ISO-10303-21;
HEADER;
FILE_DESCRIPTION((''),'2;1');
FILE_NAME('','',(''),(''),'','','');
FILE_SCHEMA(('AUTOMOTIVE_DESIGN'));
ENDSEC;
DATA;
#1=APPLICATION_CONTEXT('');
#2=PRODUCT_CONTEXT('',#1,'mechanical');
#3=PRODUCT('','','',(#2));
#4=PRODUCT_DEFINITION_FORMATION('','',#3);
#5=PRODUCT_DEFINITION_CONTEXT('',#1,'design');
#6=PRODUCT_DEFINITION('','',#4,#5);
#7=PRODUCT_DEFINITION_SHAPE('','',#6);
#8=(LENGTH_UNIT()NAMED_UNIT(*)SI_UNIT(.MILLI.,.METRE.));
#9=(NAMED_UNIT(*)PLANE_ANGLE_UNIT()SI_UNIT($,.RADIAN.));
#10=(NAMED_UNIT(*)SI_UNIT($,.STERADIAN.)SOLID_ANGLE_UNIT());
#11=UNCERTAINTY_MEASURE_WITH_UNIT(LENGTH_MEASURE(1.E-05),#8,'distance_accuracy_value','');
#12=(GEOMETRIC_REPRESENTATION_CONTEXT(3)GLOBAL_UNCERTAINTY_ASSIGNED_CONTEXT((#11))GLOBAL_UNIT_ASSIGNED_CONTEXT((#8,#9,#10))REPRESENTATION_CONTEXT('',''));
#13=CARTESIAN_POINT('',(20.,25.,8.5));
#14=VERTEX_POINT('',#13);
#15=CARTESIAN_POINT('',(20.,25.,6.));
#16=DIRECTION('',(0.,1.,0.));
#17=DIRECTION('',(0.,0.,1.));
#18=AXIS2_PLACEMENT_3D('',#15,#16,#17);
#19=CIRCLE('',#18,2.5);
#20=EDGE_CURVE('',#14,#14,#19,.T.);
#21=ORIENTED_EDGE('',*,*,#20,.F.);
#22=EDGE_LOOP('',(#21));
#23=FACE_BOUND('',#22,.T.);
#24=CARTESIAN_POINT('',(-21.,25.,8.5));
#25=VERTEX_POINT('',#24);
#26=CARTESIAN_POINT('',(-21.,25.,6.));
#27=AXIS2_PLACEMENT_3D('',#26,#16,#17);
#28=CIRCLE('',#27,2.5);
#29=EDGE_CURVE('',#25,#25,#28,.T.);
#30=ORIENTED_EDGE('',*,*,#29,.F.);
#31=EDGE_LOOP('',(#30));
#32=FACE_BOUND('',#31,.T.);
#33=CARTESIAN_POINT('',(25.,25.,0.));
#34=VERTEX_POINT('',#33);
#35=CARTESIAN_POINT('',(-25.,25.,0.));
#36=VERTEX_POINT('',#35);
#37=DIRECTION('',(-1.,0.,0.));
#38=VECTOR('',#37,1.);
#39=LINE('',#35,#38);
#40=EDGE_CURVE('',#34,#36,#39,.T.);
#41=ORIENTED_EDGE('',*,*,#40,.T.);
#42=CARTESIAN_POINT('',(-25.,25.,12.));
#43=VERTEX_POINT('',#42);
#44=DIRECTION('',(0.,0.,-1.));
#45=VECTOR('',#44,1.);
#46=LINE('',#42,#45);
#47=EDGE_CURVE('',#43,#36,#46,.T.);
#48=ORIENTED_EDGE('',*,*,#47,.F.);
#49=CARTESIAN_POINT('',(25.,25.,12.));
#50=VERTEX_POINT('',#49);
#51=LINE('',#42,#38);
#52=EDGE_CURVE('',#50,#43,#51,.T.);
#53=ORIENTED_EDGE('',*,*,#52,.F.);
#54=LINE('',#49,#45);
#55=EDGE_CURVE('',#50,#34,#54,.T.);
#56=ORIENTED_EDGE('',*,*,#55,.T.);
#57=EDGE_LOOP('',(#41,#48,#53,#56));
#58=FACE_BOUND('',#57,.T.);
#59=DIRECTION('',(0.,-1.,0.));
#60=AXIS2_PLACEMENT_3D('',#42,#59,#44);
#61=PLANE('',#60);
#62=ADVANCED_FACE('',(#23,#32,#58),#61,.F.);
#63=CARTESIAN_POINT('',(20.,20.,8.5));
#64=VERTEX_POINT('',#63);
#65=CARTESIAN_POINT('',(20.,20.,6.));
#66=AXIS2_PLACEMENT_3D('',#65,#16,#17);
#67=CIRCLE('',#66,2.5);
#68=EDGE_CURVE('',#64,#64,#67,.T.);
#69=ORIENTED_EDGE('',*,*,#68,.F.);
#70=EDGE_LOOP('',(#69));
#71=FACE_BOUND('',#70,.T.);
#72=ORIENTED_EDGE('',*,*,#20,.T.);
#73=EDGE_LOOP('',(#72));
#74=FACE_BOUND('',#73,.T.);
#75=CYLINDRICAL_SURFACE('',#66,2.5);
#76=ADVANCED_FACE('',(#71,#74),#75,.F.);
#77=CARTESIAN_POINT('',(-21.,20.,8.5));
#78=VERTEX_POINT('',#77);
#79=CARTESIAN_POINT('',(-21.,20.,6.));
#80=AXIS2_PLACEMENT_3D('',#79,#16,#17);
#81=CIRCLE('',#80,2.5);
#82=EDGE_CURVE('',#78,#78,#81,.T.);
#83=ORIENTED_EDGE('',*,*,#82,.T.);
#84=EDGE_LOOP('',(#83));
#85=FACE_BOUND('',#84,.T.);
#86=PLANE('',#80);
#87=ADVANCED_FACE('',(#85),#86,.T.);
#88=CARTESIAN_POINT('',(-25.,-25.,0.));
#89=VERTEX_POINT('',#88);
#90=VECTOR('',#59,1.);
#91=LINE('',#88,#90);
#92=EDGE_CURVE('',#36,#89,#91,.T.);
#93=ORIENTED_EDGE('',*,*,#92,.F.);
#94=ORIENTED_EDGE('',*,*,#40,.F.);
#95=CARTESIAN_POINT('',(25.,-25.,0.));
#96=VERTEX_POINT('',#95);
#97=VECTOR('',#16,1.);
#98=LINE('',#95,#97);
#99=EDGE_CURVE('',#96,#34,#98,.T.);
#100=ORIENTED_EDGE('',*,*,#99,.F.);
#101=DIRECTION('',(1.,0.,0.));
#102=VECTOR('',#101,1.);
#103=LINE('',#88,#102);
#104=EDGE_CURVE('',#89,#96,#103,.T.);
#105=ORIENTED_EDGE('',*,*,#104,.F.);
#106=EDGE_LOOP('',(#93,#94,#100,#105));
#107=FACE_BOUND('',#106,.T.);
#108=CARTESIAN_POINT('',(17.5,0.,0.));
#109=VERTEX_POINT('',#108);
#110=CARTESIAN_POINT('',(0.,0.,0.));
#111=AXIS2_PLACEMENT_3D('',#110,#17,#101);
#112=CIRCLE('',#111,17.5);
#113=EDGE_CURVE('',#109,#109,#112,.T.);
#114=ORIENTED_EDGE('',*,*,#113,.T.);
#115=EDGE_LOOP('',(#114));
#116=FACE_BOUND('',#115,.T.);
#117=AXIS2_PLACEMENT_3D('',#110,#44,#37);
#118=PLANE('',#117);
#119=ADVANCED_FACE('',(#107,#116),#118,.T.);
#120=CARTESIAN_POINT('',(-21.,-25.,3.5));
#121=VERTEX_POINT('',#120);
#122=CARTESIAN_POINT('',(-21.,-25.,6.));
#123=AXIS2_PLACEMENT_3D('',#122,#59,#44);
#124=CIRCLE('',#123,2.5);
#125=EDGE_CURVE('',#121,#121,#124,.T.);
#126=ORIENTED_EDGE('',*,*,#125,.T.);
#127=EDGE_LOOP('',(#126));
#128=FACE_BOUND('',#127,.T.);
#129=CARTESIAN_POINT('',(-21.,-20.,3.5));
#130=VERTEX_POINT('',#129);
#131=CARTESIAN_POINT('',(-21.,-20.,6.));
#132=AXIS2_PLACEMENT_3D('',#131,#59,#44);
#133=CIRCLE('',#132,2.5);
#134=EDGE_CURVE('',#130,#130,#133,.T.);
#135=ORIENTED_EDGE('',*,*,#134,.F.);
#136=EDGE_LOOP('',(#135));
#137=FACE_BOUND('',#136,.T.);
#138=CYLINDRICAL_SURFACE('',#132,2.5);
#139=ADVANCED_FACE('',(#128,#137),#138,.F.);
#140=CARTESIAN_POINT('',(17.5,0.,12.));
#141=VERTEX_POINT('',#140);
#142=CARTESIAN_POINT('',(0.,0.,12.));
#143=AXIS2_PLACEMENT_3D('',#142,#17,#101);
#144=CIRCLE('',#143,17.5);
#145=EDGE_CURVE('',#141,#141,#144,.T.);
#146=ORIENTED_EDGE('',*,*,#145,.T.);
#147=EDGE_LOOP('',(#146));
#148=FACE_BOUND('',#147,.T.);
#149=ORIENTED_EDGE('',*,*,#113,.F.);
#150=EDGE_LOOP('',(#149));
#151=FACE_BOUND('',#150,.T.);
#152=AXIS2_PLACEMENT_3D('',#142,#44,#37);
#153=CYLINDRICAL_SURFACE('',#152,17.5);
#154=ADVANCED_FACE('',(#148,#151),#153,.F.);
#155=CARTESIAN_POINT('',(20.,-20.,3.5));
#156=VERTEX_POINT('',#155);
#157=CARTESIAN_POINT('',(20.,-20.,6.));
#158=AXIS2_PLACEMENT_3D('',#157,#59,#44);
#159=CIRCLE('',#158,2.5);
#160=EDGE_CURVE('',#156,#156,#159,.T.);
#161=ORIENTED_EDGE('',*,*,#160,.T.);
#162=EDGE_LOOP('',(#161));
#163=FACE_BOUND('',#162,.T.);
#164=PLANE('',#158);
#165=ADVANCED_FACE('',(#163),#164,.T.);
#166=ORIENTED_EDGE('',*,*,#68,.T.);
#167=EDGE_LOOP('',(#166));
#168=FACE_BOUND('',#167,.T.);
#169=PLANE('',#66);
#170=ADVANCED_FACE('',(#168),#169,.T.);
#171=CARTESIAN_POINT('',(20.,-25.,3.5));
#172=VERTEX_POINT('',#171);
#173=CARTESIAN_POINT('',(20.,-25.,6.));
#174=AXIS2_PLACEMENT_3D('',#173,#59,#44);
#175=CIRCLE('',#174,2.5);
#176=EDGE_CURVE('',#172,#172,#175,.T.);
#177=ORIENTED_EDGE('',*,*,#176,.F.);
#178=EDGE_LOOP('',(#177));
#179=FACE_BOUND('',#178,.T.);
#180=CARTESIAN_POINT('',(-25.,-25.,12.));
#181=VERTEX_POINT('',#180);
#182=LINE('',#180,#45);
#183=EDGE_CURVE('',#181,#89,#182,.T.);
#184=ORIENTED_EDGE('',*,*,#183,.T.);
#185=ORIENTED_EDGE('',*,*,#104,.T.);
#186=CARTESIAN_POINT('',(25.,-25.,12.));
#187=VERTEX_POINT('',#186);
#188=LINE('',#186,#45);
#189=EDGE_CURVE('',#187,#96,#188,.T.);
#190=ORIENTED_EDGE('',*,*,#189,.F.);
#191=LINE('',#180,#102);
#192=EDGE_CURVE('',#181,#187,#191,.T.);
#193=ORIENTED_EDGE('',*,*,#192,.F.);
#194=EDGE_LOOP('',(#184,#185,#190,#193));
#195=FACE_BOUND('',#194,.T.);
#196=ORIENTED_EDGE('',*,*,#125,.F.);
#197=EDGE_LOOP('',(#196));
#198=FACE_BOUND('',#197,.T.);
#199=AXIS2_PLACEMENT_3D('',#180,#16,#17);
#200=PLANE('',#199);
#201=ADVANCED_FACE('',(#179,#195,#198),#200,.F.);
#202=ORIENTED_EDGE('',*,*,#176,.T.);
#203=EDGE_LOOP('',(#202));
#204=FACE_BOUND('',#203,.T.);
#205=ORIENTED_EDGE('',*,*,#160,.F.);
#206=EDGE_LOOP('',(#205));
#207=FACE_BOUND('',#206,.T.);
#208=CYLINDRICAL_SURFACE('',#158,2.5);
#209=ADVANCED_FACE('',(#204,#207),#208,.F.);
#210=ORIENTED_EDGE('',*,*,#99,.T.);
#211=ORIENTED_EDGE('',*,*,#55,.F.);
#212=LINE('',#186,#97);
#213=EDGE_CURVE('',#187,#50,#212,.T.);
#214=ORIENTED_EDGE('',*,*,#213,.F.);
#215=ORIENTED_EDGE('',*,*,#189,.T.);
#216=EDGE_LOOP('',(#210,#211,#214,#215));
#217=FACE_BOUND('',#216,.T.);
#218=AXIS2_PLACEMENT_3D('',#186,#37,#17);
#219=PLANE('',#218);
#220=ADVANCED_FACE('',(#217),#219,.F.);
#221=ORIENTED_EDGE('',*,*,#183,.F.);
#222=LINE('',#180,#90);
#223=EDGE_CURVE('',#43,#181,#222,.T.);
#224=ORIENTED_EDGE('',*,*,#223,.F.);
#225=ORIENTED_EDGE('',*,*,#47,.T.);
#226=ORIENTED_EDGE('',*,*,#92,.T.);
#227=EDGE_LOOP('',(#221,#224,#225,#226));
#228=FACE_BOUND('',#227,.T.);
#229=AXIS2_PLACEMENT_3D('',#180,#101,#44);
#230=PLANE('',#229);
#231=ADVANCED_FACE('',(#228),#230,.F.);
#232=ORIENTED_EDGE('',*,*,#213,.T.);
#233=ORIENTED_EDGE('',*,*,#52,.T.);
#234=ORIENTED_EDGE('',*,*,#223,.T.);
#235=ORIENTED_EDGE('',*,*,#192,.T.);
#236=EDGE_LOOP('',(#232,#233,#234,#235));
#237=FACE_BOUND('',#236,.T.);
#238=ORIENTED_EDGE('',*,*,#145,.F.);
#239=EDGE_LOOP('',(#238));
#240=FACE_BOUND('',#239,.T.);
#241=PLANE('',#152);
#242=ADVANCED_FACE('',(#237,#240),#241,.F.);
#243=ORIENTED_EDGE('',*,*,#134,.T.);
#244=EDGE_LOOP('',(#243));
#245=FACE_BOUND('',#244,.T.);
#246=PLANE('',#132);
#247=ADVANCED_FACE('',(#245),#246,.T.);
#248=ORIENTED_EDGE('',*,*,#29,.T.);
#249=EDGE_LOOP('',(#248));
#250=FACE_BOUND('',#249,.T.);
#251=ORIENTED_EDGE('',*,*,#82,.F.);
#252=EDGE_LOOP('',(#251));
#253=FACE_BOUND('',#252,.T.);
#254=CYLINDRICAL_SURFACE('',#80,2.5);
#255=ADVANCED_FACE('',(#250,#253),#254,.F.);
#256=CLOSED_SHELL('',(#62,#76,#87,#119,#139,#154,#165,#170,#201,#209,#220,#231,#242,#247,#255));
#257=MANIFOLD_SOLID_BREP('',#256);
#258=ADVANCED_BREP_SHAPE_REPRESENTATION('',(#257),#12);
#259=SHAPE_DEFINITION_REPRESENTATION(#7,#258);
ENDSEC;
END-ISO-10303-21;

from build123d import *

# Parameters (mm, degrees)
SCHIZZO1_W                   = 50
SCHIZZO1_H                   = 50
SCHIZZO1_R                   = 17.5
ESTRUSIONE_ESTRUSIONE1_DEPTH = 12
SCHIZZO2_R                   = 2.5
TAGLIO_ESTRUSIONE1_DEPTH     = 5
SCHIZZO3_R                   = 2.5
TAGLIO_ESTRUSIONE2_DEPTH     = 5


with BuildPart() as part:
    # Schizzo1 → Estrusione-Estrusione1 (new body)
    with BuildSketch(Plane.XY):
        Rectangle(SCHIZZO1_W, SCHIZZO1_H)
        Circle(SCHIZZO1_R, mode=Mode.SUBTRACT)
    extrude(amount=ESTRUSIONE_ESTRUSIONE1_DEPTH)

    # Schizzo2 → Taglio-Estrusione1 (cut)
    with BuildSketch(Plane(origin=(0, -25, 0), x_dir=(-1, 0, 0), z_dir=(0, -1, 0))):
        with Locations((21, -6)):
            Circle(SCHIZZO2_R)
        with Locations((-20, -6)):
            Circle(SCHIZZO2_R)
    extrude(amount=-TAGLIO_ESTRUSIONE1_DEPTH, mode=Mode.SUBTRACT)

    # Schizzo3 → Taglio-Estrusione2 (cut)
    with BuildSketch(Plane(origin=(0, 25, 0), x_dir=(1, 0, 0), z_dir=(0, 1, 0))):
        with Locations((20, -6)):
            Circle(SCHIZZO3_R)
        with Locations((-21, -6)):
            Circle(SCHIZZO3_R)
    extrude(amount=-TAGLIO_ESTRUSIONE2_DEPTH, mode=Mode.SUBTRACT)


solid = part.part
